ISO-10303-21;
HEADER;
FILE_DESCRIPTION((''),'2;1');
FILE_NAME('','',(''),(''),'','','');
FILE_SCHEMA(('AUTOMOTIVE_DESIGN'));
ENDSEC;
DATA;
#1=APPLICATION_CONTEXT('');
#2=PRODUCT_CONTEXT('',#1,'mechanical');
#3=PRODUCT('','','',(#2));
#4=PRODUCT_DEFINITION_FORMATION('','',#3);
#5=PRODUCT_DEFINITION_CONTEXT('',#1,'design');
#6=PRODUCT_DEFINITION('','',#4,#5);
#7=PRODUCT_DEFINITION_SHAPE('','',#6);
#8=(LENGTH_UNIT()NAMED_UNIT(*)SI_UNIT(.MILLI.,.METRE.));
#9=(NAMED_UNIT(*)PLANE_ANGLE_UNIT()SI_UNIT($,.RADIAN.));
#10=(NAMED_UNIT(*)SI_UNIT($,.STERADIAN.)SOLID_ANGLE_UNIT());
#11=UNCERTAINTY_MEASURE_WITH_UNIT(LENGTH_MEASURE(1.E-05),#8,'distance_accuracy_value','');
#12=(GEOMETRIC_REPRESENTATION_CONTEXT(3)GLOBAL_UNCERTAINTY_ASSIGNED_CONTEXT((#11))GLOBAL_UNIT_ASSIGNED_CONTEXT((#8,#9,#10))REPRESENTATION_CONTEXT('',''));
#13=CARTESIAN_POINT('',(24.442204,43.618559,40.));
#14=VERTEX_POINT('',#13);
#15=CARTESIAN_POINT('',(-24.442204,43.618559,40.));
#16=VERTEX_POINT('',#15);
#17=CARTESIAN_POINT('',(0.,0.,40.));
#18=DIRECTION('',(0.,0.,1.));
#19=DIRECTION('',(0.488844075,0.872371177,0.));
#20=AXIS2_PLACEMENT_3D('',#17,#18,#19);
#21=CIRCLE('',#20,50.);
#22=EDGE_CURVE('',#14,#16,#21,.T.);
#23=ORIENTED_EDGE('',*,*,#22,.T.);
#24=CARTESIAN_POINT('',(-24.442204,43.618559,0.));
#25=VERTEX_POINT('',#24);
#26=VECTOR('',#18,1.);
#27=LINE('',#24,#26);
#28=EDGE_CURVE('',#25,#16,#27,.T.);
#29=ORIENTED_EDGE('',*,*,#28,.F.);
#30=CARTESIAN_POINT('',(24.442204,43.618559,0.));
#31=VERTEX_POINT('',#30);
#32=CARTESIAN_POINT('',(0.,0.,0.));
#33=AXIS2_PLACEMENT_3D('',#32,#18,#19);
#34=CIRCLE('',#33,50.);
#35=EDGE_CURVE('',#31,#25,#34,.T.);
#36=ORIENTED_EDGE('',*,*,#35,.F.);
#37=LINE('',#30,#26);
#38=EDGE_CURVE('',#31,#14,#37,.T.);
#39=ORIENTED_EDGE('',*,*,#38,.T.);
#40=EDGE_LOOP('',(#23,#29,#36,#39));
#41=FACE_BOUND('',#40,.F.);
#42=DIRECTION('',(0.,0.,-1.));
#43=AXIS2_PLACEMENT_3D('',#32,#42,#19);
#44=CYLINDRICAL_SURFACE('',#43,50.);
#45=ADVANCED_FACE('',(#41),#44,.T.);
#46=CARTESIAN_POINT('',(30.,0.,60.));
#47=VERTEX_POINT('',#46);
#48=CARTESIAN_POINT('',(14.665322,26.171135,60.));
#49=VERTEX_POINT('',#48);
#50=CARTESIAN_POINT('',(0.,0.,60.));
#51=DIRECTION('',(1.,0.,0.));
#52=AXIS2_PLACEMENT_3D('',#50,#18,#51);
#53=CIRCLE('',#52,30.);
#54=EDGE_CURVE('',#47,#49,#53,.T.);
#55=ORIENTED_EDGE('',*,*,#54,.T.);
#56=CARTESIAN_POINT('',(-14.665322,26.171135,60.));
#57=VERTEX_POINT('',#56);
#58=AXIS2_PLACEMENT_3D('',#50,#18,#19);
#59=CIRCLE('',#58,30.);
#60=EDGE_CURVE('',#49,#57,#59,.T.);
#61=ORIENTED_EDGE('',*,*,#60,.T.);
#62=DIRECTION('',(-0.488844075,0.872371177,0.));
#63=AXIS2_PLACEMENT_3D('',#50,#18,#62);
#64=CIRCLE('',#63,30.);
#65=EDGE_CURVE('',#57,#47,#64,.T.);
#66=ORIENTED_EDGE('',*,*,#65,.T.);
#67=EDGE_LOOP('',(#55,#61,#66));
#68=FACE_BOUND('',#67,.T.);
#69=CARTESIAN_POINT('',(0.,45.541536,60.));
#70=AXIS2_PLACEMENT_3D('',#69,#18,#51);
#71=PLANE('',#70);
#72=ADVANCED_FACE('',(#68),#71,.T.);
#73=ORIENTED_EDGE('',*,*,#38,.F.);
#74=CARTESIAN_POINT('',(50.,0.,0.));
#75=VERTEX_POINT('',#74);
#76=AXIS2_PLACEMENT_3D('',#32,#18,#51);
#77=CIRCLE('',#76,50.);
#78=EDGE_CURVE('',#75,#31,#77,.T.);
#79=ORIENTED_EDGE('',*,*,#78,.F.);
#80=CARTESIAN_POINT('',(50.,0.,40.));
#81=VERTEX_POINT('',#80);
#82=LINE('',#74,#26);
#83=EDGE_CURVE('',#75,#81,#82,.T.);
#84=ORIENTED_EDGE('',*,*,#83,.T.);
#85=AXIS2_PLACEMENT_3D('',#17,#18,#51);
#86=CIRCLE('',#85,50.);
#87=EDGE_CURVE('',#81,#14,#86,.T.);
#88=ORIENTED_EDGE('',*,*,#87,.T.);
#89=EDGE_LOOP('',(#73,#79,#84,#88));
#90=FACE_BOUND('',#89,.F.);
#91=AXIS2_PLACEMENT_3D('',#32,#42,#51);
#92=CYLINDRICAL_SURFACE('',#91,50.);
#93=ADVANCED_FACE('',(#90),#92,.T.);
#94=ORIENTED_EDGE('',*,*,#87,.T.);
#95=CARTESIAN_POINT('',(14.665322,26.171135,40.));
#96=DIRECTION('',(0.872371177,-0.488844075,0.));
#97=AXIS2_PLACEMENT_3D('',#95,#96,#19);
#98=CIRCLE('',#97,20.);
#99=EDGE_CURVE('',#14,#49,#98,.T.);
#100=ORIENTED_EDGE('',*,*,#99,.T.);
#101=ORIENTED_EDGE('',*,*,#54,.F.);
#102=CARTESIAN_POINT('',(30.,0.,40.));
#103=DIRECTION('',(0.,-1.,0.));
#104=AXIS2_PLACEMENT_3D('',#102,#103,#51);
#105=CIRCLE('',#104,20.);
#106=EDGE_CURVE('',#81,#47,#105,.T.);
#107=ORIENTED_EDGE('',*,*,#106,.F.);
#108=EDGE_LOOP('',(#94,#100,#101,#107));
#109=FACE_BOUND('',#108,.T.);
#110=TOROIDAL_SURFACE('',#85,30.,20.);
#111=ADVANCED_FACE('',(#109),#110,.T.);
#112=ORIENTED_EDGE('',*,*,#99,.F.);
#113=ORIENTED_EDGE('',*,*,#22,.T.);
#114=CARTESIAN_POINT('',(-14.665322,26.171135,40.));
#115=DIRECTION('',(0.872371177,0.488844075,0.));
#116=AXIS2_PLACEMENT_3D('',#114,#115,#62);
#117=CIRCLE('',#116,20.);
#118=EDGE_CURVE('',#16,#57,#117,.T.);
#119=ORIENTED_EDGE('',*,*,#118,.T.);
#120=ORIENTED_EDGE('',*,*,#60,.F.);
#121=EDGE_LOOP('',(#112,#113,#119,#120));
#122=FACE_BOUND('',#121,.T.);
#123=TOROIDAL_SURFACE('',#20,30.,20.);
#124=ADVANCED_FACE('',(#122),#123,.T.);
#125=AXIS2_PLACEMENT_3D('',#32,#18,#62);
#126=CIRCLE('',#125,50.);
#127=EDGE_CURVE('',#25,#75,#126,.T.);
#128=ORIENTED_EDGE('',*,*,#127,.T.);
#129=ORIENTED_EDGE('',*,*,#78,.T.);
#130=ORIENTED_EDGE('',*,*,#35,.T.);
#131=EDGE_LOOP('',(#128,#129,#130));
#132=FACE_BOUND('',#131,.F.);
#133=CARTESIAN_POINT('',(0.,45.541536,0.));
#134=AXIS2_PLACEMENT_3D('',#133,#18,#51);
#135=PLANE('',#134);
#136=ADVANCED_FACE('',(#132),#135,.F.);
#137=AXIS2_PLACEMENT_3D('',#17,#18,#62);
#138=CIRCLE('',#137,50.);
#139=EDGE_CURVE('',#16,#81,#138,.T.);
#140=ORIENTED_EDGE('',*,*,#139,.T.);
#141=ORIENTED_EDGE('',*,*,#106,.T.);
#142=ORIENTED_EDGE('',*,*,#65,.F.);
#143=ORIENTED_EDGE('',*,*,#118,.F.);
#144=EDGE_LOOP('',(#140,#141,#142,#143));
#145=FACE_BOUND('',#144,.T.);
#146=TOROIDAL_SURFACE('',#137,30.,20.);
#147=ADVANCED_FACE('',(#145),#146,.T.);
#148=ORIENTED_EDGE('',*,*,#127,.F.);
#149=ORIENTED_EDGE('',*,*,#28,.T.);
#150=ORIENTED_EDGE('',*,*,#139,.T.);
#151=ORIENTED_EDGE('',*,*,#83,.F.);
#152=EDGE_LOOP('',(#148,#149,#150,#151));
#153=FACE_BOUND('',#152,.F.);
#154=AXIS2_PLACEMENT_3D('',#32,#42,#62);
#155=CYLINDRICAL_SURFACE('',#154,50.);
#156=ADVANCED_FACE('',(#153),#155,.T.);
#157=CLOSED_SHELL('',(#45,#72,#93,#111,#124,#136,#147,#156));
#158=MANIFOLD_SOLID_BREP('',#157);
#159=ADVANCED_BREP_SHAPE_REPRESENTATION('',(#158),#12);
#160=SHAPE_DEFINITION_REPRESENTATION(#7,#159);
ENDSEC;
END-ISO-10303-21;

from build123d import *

# Parameters (mm, degrees)
F1_DEPTH = 60
F2_R     = 20


with BuildPart() as f1:
    # F0 (on Top) → F1 (new body)
    with BuildSketch(Plane.XY):
        with BuildLine():
            Line((-24.4422037458, 43.6185588488), (24.4422037458, 43.6185588488))
            ThreePointArc((24.4422037458, 43.6185588488), (0, 50), (-24.4422037458, 43.6185588488))
        make_face()
        with BuildLine():
            ThreePointArc((-24.4422037458, 43.6185588488), (-25.2773595606, -43.1399477705), (50, 0))
            ThreePointArc((50, 0), (43.1399477705, 25.2773595606), (24.4422037458, 43.6185588488))
            Line((24.4422037458, 43.6185588488), (-24.4422037458, 43.6185588488))
        make_face()
    extrude(amount=F1_DEPTH)

    # F2
    f2_edges = [f1.edges().sort_by_distance(p)[0] for p in [
        (24.442204, -43.618559, 60),
    ]]
    fillet(f2_edges, radius=F2_R)


solid = f1.part
